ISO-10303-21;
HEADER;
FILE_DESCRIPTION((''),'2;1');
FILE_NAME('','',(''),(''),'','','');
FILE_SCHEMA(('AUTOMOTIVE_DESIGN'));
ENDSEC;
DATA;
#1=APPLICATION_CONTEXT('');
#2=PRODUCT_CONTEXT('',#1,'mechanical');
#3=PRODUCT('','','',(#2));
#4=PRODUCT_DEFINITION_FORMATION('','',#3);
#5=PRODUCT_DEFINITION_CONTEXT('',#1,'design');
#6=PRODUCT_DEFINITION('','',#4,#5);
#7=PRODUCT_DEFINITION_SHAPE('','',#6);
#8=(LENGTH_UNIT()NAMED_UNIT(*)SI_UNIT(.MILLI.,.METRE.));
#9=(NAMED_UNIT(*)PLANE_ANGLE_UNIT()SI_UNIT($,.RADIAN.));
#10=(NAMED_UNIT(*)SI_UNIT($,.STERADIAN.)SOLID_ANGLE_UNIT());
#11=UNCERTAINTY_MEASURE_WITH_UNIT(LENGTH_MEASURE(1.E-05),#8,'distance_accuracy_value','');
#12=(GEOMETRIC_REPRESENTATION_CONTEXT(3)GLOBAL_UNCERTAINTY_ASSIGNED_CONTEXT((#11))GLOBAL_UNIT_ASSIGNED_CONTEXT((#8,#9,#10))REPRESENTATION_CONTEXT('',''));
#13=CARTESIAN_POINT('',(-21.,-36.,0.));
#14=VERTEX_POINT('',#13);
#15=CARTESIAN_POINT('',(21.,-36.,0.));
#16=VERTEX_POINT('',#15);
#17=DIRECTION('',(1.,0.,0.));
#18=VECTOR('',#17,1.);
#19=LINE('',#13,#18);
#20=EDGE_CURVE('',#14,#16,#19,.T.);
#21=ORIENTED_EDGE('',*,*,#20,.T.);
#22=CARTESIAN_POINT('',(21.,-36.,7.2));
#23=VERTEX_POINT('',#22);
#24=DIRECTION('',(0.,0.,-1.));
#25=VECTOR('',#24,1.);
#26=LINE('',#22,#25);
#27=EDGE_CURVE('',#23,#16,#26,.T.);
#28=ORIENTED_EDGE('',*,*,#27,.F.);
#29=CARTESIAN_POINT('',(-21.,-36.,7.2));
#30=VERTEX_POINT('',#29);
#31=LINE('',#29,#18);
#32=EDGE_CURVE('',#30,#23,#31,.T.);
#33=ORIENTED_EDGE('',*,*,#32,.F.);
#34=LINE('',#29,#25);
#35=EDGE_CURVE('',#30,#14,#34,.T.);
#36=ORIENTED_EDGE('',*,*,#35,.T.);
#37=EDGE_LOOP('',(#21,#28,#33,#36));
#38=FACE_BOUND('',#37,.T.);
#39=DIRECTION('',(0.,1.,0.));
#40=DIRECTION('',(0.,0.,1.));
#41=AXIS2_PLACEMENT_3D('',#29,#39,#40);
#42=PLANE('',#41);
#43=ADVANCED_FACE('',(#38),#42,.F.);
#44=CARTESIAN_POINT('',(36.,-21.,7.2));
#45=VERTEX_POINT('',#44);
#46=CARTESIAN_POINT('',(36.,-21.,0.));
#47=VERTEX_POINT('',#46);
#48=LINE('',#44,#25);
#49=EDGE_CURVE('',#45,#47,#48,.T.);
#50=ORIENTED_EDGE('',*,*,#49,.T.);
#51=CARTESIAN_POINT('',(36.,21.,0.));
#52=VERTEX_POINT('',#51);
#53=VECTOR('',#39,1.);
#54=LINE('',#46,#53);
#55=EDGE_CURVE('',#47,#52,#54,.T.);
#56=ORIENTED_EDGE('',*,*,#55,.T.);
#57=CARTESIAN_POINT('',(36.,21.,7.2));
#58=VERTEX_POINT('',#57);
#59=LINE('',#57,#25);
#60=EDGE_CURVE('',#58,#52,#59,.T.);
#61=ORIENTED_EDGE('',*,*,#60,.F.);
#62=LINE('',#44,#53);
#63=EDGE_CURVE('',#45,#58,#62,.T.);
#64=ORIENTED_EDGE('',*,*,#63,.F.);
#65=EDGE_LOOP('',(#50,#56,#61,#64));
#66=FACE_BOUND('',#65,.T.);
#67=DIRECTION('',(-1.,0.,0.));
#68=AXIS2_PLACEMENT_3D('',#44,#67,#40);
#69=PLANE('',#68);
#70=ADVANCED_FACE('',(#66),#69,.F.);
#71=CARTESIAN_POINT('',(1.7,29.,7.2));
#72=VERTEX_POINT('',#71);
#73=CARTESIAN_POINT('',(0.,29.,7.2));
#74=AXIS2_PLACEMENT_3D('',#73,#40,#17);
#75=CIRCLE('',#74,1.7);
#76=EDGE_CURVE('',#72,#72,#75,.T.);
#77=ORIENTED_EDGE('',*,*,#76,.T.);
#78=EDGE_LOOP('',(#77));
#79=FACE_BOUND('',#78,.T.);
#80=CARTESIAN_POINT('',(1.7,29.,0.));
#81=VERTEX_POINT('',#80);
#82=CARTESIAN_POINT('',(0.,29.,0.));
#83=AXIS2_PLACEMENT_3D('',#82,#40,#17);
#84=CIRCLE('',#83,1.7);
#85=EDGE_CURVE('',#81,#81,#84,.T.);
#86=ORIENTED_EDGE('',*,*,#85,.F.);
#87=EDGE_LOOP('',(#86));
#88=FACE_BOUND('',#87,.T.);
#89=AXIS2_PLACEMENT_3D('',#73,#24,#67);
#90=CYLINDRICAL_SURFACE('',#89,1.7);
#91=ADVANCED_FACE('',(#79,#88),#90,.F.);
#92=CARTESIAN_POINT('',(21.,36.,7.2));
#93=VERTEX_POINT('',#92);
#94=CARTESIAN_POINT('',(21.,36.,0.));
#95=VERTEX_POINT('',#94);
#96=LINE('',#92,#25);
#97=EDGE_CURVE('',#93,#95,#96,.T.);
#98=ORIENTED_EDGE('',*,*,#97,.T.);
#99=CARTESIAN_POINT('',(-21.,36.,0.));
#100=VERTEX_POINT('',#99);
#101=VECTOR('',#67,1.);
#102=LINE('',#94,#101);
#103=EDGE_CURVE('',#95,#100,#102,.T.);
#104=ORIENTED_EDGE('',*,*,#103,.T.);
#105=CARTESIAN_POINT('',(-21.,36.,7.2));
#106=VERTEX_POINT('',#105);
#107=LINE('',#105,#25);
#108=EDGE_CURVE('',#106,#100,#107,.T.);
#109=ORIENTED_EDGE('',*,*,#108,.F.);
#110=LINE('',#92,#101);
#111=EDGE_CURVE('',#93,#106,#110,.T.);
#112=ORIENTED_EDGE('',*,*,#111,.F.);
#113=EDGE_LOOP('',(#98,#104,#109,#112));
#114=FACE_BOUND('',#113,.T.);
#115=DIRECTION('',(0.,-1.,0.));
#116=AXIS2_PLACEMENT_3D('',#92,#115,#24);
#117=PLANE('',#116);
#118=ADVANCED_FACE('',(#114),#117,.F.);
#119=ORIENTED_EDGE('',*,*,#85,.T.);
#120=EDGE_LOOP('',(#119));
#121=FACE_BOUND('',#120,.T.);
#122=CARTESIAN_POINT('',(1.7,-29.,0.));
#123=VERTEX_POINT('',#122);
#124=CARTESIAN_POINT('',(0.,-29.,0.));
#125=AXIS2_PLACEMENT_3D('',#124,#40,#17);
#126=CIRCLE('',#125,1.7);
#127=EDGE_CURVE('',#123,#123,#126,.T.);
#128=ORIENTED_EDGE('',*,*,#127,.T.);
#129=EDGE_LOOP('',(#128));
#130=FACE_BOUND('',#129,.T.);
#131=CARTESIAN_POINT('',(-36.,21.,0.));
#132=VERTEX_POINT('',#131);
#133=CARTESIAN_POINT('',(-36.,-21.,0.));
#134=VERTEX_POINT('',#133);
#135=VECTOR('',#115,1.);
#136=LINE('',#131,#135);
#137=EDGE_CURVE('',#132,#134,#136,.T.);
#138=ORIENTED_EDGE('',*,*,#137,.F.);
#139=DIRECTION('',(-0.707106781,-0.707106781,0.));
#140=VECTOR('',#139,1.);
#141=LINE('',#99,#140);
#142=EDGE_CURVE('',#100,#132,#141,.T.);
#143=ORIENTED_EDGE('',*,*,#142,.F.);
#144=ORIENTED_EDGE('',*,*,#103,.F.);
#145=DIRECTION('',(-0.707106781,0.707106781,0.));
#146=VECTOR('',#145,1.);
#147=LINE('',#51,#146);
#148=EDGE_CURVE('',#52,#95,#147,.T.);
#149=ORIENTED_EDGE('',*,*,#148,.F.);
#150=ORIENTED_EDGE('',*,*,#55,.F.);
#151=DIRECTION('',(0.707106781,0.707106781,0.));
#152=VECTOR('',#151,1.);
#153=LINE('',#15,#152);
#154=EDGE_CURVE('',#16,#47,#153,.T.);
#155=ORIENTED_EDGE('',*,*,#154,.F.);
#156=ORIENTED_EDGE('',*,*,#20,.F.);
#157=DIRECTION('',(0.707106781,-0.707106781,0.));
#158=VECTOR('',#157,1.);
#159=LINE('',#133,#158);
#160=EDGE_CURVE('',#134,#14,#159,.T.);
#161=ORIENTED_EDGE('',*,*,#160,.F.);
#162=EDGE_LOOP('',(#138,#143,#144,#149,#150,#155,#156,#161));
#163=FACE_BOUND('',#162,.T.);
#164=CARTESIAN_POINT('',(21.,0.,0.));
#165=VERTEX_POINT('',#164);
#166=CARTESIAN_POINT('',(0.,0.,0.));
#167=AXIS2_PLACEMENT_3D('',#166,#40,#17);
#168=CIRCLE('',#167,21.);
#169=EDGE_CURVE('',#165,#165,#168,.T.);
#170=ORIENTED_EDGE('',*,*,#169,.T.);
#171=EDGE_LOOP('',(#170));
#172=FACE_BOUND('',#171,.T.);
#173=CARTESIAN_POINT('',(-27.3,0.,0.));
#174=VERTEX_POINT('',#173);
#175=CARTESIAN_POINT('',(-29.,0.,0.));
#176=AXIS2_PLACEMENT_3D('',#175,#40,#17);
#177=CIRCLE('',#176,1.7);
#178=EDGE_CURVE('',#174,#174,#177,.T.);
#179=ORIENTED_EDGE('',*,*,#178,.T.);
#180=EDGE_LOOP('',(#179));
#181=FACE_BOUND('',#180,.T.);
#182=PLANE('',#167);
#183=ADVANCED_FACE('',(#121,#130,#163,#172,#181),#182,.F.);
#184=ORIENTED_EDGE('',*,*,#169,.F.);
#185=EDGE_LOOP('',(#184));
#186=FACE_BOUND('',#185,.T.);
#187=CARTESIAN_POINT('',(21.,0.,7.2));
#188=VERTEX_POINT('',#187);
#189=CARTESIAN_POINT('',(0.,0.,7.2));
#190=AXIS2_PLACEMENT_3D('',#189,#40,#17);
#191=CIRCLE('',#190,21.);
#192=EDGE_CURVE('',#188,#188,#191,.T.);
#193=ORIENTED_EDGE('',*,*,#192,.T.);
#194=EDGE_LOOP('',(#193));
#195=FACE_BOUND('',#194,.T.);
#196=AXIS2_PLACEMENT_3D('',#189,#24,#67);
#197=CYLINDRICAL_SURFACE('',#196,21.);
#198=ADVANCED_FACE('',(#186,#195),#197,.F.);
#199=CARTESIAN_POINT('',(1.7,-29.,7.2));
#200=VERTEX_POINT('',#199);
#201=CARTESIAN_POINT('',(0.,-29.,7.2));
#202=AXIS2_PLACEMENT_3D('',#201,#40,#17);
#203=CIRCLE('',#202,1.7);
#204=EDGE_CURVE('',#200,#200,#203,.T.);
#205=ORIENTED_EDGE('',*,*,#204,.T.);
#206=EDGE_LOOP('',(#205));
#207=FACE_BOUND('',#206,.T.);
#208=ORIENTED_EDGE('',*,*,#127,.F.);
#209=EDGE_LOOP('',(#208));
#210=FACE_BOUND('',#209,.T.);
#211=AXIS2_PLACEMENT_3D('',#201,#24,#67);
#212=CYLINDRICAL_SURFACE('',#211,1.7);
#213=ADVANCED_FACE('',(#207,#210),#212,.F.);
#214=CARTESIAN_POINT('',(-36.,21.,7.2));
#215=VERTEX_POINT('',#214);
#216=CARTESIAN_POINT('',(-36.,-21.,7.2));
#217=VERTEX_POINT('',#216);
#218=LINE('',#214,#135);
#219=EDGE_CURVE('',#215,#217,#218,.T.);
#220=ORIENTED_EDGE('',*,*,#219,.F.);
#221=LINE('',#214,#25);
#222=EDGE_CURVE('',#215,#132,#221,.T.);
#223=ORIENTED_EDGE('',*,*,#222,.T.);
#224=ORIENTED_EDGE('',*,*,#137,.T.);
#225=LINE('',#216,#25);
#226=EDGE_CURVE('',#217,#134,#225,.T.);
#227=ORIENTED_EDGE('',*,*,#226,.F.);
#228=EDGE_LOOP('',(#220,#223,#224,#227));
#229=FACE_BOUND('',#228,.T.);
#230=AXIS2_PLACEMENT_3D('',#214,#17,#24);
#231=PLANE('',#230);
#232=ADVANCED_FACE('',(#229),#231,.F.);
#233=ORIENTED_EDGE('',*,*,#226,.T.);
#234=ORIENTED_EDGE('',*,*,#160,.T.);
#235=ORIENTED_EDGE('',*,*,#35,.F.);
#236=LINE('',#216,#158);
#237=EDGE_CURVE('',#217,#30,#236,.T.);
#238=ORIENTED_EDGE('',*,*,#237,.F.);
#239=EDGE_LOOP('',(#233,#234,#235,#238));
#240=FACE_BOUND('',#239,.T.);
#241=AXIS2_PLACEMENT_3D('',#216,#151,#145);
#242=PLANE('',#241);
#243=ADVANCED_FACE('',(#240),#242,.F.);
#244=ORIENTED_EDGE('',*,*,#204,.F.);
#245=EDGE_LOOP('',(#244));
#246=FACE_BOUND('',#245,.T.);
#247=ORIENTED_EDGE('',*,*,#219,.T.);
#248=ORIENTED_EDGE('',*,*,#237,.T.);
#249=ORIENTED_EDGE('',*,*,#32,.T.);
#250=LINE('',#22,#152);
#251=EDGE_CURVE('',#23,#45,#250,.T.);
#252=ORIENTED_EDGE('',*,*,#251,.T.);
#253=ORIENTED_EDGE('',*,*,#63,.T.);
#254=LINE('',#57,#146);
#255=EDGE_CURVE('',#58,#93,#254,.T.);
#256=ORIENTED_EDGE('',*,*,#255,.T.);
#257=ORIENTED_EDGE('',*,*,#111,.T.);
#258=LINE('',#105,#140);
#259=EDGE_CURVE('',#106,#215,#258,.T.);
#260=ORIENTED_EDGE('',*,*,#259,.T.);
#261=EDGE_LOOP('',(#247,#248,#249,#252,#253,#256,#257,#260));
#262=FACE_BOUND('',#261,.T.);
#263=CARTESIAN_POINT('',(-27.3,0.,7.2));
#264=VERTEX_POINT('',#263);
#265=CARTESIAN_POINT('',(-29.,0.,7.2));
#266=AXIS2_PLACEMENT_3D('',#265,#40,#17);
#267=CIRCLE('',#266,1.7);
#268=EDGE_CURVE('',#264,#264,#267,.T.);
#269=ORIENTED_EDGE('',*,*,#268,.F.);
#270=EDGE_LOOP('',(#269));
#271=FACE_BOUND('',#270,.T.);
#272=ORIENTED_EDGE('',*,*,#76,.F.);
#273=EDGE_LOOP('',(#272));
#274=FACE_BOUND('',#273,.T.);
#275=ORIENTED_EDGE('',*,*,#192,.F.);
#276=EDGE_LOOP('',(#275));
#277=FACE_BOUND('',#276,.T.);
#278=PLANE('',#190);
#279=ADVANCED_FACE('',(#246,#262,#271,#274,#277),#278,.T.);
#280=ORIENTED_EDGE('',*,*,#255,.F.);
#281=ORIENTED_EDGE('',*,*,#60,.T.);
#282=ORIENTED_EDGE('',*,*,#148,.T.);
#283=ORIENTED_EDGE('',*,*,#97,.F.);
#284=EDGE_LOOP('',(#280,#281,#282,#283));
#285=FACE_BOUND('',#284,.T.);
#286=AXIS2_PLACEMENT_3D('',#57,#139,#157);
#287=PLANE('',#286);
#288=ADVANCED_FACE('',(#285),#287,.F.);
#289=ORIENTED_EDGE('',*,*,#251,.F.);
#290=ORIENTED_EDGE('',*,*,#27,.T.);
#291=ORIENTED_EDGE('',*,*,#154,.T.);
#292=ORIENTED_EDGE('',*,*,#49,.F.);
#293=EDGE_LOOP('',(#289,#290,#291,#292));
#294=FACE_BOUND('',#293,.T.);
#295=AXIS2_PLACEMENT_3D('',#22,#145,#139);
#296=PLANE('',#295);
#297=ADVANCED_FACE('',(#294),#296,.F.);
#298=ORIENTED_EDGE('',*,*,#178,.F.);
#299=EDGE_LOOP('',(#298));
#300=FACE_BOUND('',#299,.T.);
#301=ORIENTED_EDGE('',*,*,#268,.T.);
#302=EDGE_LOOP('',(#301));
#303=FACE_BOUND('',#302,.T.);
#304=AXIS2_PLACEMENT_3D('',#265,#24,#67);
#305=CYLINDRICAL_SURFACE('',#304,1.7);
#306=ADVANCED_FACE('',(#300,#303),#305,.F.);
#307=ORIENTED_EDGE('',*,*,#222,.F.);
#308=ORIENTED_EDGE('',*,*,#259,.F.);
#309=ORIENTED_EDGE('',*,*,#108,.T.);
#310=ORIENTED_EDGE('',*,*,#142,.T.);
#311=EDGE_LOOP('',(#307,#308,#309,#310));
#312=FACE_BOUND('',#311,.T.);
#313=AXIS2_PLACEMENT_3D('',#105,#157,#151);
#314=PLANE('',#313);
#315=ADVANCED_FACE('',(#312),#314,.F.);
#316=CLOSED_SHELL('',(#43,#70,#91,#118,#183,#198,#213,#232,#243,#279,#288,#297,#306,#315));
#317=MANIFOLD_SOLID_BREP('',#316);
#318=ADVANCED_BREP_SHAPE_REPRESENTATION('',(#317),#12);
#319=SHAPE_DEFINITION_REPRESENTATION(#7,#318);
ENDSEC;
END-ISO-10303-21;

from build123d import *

# Parameters (mm, degrees)
SKETCH_1_R                      = 21
SKETCH_1_R_2                    = 1.7
F_03_BEARING_HOUSING_6806_DEPTH = 7.2


with BuildPart() as part:
    # Эскиз1 → 03_Bearing_housing_6806 (new body)
    with BuildSketch(Plane.XY):
        Polygon((-21, -36), (21, -36), (36, -21), (36, 21), (21, 36), (-21, 36), (-36, 21), (-36, -21), align=None)
        Circle(SKETCH_1_R, mode=Mode.SUBTRACT)
        with Locations((0, 29)):
            Circle(SKETCH_1_R_2, mode=Mode.SUBTRACT)
        with Locations((0, -29)):
            Circle(SKETCH_1_R_2, mode=Mode.SUBTRACT)
        with Locations((-29, 0)):
            Circle(SKETCH_1_R_2, mode=Mode.SUBTRACT)
    extrude(amount=F_03_BEARING_HOUSING_6806_DEPTH)


solid = part.part
